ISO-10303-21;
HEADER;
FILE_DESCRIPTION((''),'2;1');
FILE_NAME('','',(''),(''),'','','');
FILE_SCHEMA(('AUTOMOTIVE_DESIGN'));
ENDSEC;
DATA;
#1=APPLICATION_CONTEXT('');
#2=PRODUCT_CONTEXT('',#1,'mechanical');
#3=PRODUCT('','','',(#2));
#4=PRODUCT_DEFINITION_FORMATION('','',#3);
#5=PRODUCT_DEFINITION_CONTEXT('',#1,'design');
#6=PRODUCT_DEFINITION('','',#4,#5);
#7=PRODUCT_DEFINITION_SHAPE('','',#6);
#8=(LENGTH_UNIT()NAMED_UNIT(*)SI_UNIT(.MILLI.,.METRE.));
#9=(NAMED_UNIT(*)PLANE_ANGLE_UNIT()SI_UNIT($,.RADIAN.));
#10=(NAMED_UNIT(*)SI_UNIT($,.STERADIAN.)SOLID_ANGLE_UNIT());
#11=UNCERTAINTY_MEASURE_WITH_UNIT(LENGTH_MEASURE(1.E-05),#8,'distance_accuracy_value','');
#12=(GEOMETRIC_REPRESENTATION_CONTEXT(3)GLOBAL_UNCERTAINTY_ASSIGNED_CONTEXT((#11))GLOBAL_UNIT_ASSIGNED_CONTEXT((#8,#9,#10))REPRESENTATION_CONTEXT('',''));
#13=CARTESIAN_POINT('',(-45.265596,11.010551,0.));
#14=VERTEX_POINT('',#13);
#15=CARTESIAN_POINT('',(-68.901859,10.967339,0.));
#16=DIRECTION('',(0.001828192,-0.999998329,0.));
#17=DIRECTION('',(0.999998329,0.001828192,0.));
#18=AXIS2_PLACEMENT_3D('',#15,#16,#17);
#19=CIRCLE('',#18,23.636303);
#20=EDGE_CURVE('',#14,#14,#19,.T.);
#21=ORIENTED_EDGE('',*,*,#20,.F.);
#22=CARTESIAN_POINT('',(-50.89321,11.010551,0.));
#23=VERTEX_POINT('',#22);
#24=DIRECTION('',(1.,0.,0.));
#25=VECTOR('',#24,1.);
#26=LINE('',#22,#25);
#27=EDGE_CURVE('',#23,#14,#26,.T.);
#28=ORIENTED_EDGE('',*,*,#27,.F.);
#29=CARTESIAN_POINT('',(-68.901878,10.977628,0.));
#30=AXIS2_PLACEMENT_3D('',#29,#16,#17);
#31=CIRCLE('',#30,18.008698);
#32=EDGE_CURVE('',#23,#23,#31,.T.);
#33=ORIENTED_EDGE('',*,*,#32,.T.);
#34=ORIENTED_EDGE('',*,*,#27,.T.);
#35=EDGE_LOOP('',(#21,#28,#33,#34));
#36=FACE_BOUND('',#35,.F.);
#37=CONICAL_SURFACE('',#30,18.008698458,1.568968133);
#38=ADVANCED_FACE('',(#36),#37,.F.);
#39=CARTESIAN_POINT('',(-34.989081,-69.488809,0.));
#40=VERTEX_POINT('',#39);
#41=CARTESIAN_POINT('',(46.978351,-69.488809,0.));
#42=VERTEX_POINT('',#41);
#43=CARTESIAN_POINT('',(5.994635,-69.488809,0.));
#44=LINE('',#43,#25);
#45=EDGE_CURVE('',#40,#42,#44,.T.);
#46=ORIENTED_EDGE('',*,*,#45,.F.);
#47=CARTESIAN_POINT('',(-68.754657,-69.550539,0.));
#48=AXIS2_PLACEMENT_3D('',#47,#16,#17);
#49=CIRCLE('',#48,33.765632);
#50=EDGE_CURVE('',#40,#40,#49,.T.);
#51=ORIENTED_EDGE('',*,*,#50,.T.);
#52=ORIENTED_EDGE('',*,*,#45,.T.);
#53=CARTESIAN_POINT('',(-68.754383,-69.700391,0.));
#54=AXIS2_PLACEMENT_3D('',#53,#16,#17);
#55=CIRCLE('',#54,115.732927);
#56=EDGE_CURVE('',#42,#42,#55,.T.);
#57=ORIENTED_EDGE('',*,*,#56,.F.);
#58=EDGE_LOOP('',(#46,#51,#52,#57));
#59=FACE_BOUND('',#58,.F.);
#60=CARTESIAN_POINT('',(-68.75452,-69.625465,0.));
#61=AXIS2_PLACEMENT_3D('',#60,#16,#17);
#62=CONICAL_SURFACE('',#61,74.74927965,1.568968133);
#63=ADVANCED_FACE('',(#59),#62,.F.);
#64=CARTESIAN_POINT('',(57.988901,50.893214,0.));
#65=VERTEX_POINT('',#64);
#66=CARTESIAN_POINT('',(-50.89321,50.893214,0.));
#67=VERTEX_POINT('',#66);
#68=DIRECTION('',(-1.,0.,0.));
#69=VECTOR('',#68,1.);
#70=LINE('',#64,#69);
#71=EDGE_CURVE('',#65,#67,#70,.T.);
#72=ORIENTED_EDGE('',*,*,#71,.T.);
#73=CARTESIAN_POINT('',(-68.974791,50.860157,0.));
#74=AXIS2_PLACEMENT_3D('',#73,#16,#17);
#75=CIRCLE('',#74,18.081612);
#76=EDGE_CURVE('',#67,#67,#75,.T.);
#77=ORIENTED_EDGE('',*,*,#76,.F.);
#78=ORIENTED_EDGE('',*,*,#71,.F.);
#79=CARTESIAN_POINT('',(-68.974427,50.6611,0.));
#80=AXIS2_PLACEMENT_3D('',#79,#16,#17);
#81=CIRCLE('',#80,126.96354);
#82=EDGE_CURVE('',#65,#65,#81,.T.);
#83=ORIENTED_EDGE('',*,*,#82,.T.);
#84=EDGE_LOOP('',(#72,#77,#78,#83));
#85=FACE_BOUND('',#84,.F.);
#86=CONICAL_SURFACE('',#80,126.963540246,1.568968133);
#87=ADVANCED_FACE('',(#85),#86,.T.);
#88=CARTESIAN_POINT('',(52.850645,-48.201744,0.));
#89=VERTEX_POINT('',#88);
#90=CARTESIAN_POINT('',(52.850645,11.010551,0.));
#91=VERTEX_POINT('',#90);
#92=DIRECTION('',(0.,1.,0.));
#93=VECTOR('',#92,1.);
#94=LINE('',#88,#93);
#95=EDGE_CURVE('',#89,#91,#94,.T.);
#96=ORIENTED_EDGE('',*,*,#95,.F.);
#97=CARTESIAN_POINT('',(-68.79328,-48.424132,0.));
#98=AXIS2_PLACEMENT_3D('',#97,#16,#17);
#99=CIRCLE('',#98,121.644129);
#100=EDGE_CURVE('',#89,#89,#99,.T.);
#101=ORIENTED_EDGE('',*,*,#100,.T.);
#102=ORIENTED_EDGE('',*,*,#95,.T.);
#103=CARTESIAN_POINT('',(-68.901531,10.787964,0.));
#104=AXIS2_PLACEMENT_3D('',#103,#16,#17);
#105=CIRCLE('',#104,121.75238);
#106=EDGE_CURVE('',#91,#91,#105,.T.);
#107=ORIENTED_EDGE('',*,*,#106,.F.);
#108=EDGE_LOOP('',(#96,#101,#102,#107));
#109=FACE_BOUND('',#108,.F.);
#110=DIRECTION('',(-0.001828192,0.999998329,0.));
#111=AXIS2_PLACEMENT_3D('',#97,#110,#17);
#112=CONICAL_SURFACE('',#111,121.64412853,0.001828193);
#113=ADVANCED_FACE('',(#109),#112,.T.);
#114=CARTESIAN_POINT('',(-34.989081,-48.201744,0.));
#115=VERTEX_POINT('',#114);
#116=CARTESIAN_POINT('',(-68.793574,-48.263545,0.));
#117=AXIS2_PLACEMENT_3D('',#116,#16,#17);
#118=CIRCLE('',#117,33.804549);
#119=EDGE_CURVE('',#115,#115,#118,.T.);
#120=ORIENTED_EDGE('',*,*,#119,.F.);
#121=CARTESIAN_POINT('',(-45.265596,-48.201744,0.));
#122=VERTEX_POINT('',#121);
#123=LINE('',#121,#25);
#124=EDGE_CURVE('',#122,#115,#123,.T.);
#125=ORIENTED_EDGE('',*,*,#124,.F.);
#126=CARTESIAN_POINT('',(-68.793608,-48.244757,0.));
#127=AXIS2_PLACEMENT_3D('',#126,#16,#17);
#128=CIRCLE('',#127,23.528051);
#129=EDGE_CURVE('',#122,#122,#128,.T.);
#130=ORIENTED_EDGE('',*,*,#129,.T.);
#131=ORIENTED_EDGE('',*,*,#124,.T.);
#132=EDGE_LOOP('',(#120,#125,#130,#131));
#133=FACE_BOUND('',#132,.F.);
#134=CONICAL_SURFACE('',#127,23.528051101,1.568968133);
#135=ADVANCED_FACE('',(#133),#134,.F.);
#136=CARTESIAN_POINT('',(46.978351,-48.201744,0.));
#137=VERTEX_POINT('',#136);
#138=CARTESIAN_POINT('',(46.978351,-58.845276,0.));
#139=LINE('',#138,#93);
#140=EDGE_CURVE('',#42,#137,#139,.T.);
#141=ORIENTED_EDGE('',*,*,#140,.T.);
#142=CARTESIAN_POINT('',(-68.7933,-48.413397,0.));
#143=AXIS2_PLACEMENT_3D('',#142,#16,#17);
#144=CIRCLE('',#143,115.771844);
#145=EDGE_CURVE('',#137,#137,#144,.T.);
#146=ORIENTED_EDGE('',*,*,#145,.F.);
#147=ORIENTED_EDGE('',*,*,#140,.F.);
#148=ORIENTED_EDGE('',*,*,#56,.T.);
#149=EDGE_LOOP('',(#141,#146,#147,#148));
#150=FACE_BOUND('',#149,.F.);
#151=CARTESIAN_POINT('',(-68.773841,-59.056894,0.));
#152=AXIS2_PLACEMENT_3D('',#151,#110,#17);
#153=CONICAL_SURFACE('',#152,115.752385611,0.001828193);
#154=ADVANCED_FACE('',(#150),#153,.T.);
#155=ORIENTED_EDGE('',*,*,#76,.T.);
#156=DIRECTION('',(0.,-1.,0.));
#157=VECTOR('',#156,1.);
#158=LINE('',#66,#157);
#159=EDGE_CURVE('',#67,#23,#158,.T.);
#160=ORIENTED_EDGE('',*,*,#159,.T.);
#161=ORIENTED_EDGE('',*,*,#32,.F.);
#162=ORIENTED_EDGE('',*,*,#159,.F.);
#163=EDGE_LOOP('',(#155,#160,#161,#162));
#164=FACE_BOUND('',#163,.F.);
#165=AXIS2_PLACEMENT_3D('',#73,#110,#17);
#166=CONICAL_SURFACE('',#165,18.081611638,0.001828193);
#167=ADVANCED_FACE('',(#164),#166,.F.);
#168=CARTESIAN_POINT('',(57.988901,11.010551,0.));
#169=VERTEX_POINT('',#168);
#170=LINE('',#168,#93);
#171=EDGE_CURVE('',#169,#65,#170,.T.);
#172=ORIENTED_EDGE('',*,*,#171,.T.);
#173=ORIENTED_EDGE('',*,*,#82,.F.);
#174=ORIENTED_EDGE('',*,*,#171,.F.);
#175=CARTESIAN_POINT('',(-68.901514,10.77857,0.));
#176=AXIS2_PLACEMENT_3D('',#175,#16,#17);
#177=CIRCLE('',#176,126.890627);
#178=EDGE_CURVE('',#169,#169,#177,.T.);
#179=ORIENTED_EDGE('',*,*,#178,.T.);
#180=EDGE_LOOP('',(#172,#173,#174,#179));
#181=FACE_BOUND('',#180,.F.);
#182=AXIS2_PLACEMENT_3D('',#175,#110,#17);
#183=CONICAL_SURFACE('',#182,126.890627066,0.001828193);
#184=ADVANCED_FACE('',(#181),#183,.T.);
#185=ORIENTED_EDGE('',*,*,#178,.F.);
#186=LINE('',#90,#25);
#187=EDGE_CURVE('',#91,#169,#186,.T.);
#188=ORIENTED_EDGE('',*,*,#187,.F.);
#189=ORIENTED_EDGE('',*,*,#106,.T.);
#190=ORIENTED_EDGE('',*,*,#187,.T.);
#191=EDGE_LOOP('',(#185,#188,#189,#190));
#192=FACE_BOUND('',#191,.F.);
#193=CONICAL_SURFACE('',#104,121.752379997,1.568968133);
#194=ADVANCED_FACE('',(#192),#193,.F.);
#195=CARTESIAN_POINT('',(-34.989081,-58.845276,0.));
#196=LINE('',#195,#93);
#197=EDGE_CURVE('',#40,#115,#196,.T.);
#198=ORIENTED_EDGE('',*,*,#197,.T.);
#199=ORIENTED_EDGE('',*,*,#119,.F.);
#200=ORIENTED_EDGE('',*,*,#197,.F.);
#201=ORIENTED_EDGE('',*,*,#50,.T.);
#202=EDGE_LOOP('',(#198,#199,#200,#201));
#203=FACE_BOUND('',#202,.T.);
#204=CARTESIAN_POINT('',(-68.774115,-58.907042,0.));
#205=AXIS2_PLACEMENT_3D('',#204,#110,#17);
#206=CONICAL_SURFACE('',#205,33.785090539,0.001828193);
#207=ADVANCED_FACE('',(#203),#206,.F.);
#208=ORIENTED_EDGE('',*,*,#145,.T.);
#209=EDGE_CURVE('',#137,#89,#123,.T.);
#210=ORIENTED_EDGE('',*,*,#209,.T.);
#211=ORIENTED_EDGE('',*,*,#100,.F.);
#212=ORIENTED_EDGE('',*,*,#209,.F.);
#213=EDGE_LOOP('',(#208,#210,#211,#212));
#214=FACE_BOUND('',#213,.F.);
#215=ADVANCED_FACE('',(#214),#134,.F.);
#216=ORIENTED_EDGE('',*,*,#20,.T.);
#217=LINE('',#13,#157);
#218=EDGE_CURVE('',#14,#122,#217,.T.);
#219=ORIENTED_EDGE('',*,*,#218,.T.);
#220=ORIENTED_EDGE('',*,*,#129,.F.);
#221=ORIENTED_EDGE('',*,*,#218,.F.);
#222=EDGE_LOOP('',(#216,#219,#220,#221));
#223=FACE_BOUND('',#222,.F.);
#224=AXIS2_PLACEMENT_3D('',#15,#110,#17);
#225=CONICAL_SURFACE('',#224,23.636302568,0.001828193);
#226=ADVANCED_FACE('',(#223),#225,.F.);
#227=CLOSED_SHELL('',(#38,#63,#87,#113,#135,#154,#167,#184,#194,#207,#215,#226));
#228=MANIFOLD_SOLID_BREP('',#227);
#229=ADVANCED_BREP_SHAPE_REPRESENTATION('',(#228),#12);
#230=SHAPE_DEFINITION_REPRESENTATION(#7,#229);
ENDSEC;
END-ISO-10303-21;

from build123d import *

# Parameters (mm, degrees)
F0_W = 81.9674320519
F0_H = 21.2870649993


with BuildPart() as f1:
    # F0 (on Top) → F1 (revolve)
    with BuildSketch(Plane.XY):
        Polygon((52.8506450355, 11.0105508938), (-45.26559636, 11.0105508938), (-45.26559636, -48.2017435133), (-34.9890813231, -48.2017435133), (46.9783507288, -48.2017435133), (52.8506450355, -48.2017435133), align=None)
        with Locations((5.9946347028, -58.845276013)):
            Rectangle(F0_W, F0_H)
        Polygon((57.9889006913, 50.8932135999), (-50.8932098746, 50.8932135999), (-50.8932098746, 11.0105508938), (-45.26559636, 11.0105508938), (52.8506450355, 11.0105508938), (57.9889006913, 11.0105508938), align=None)
    revolve(axis=Axis((-68.8771121204, -2.5691278279, 0), (0.0018281924, -0.9999983289, 0)))


solid = f1.part
